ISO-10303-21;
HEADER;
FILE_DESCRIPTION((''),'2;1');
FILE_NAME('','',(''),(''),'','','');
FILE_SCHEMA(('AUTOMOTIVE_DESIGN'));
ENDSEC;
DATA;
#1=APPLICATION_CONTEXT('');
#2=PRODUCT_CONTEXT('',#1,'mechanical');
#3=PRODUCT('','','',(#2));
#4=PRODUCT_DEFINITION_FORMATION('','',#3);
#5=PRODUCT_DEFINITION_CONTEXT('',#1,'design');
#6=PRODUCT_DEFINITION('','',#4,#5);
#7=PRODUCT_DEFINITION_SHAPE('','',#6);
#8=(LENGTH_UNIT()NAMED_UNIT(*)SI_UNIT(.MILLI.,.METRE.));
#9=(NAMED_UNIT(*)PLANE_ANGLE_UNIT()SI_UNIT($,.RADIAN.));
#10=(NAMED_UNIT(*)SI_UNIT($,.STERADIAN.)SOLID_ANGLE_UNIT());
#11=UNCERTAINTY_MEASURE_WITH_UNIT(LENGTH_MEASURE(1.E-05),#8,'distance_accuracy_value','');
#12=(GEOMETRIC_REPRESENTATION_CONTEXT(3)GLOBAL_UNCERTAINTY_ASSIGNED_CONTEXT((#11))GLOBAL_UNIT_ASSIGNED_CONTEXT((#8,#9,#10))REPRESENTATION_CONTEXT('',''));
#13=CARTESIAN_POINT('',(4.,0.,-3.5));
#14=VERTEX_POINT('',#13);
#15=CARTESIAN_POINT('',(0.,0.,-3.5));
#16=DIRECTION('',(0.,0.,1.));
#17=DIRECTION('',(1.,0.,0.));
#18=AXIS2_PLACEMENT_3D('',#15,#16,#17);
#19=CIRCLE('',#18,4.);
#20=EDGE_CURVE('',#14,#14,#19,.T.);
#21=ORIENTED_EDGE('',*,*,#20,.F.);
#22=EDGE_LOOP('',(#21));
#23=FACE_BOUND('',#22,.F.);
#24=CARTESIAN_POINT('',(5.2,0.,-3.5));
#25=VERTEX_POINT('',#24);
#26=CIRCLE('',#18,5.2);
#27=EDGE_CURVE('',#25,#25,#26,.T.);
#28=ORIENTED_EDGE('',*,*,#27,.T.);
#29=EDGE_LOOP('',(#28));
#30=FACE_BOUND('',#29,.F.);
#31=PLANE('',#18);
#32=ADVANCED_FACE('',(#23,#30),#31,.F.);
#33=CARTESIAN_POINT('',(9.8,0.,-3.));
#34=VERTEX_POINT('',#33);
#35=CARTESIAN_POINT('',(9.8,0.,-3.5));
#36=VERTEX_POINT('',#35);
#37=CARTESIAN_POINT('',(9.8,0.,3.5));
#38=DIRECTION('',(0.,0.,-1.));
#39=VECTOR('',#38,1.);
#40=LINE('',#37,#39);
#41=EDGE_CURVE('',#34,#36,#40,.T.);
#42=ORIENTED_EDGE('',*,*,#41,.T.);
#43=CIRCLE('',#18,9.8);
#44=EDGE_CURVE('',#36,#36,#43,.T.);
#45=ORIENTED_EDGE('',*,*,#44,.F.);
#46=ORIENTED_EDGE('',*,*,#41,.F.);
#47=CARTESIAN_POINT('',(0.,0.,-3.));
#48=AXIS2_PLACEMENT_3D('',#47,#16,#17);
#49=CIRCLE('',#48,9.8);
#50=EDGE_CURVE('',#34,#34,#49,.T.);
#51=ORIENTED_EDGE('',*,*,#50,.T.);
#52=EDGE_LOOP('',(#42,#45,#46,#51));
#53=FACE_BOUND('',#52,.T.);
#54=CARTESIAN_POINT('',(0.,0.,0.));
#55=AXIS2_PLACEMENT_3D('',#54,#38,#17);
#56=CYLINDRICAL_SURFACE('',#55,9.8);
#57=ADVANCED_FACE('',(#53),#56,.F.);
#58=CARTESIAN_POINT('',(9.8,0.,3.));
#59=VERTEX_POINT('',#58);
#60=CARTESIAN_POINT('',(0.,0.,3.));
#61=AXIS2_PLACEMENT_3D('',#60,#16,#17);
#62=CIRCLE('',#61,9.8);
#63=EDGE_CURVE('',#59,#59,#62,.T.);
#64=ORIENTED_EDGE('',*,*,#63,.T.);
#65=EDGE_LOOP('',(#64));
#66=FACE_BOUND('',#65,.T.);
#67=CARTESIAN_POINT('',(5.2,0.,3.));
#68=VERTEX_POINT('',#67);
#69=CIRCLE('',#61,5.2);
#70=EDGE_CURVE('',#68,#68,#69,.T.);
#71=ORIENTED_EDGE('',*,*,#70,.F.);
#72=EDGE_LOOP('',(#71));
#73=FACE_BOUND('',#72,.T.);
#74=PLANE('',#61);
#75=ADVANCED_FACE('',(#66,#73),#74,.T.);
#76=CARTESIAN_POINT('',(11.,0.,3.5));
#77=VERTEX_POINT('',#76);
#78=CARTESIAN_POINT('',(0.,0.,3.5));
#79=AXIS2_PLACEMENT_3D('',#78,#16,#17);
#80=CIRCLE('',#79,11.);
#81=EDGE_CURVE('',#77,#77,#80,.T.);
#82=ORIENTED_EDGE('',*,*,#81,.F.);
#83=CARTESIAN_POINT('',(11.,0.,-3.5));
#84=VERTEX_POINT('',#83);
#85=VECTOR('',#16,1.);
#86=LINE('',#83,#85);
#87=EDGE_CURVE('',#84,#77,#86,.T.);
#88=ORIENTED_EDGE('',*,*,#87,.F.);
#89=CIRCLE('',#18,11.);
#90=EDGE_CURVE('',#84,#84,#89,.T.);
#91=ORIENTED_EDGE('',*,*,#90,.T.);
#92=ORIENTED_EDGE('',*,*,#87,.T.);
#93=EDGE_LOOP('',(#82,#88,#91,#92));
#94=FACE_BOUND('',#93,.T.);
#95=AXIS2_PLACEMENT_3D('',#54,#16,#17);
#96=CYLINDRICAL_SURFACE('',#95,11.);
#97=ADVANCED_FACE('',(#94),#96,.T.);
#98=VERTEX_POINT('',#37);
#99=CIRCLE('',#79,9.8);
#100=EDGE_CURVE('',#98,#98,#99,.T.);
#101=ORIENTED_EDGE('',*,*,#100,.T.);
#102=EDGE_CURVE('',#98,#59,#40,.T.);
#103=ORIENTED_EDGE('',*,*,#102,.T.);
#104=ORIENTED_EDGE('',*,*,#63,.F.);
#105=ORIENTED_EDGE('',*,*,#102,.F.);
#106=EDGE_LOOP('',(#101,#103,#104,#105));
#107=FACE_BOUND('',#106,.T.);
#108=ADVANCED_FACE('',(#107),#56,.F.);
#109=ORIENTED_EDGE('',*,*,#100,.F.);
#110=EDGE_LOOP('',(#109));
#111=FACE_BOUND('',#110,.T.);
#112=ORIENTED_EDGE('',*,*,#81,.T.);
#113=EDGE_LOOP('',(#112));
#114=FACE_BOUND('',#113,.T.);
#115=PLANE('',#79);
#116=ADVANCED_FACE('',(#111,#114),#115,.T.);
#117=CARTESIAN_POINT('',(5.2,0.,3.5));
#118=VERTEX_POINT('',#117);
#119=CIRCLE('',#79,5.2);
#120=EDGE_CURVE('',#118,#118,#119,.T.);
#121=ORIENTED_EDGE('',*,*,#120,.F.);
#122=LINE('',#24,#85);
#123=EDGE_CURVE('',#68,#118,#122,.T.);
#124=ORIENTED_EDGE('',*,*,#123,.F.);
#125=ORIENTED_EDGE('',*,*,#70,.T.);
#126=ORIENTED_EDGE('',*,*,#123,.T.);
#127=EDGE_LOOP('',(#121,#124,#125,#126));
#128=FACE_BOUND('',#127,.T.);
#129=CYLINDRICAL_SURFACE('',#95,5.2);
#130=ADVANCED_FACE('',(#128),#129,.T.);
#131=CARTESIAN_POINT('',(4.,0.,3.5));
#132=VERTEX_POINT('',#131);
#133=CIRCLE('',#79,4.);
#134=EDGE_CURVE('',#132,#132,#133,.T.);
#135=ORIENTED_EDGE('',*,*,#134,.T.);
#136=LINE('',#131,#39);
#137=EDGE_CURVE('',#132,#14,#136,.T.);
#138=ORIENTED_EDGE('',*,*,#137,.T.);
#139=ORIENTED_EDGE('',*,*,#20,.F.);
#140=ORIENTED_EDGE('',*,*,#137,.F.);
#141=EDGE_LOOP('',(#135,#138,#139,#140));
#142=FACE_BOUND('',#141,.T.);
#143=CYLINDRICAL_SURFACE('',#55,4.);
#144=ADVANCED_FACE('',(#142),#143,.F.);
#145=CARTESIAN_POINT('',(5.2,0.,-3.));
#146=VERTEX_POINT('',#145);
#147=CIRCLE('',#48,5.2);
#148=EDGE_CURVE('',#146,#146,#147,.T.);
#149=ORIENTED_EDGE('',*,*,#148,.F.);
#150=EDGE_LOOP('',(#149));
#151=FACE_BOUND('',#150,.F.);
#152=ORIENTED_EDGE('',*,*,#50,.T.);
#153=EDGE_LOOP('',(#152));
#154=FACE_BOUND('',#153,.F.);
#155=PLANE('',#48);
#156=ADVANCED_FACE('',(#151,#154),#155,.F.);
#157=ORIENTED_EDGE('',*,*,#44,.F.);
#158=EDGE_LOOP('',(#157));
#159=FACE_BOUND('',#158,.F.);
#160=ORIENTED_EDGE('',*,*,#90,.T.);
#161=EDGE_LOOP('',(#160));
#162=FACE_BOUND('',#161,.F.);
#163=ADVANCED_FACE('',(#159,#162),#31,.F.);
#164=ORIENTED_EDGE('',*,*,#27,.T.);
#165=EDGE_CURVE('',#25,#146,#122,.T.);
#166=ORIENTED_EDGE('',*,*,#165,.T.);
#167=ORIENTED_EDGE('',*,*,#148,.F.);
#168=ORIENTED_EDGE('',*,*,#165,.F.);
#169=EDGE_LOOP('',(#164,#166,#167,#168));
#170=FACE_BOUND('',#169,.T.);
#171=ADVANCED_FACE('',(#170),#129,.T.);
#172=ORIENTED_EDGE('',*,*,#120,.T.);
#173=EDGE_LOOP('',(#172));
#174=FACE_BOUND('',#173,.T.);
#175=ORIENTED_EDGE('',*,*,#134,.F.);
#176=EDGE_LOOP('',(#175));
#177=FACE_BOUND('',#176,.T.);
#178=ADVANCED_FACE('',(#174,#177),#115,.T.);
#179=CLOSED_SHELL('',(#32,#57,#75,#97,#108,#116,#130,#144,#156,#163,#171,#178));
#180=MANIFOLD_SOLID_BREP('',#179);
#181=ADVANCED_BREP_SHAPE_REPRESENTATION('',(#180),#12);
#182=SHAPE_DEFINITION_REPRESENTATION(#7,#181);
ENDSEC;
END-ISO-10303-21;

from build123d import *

# Parameters (mm, degrees)
F1_R     = 11
F1_R_2   = 9.8
F2_DEPTH = 3.5
F1_R_3   = 5.2
F1_R_4   = 4
F3_DEPTH = 3


with BuildPart() as f2:
    # F1 (on Top) → F2 (new body, symmetric)
    with BuildSketch(Plane.XY):
        Circle(F1_R)
        Circle(F1_R_2, mode=Mode.SUBTRACT)
    extrude(amount=F2_DEPTH, both=True)



with BuildPart() as f2b:
    # F1 (on Top) → F2, piece 2 (new body, symmetric)
    with BuildSketch(Plane.XY):
        Circle(F1_R_3)
        Circle(F1_R_4, mode=Mode.SUBTRACT)
    extrude(amount=F2_DEPTH, both=True)


with BuildPart() as f2_1:
    add(f2.part)

    add(f2b.part)  # F3 merges F2b
    # F1 (on Top) → F3 (join, symmetric)
    with BuildSketch(Plane.XY):
        Circle(F1_R_2)
        Circle(F1_R_3, mode=Mode.SUBTRACT)
    extrude(amount=F3_DEPTH, both=True)


solid = f2_1.part
